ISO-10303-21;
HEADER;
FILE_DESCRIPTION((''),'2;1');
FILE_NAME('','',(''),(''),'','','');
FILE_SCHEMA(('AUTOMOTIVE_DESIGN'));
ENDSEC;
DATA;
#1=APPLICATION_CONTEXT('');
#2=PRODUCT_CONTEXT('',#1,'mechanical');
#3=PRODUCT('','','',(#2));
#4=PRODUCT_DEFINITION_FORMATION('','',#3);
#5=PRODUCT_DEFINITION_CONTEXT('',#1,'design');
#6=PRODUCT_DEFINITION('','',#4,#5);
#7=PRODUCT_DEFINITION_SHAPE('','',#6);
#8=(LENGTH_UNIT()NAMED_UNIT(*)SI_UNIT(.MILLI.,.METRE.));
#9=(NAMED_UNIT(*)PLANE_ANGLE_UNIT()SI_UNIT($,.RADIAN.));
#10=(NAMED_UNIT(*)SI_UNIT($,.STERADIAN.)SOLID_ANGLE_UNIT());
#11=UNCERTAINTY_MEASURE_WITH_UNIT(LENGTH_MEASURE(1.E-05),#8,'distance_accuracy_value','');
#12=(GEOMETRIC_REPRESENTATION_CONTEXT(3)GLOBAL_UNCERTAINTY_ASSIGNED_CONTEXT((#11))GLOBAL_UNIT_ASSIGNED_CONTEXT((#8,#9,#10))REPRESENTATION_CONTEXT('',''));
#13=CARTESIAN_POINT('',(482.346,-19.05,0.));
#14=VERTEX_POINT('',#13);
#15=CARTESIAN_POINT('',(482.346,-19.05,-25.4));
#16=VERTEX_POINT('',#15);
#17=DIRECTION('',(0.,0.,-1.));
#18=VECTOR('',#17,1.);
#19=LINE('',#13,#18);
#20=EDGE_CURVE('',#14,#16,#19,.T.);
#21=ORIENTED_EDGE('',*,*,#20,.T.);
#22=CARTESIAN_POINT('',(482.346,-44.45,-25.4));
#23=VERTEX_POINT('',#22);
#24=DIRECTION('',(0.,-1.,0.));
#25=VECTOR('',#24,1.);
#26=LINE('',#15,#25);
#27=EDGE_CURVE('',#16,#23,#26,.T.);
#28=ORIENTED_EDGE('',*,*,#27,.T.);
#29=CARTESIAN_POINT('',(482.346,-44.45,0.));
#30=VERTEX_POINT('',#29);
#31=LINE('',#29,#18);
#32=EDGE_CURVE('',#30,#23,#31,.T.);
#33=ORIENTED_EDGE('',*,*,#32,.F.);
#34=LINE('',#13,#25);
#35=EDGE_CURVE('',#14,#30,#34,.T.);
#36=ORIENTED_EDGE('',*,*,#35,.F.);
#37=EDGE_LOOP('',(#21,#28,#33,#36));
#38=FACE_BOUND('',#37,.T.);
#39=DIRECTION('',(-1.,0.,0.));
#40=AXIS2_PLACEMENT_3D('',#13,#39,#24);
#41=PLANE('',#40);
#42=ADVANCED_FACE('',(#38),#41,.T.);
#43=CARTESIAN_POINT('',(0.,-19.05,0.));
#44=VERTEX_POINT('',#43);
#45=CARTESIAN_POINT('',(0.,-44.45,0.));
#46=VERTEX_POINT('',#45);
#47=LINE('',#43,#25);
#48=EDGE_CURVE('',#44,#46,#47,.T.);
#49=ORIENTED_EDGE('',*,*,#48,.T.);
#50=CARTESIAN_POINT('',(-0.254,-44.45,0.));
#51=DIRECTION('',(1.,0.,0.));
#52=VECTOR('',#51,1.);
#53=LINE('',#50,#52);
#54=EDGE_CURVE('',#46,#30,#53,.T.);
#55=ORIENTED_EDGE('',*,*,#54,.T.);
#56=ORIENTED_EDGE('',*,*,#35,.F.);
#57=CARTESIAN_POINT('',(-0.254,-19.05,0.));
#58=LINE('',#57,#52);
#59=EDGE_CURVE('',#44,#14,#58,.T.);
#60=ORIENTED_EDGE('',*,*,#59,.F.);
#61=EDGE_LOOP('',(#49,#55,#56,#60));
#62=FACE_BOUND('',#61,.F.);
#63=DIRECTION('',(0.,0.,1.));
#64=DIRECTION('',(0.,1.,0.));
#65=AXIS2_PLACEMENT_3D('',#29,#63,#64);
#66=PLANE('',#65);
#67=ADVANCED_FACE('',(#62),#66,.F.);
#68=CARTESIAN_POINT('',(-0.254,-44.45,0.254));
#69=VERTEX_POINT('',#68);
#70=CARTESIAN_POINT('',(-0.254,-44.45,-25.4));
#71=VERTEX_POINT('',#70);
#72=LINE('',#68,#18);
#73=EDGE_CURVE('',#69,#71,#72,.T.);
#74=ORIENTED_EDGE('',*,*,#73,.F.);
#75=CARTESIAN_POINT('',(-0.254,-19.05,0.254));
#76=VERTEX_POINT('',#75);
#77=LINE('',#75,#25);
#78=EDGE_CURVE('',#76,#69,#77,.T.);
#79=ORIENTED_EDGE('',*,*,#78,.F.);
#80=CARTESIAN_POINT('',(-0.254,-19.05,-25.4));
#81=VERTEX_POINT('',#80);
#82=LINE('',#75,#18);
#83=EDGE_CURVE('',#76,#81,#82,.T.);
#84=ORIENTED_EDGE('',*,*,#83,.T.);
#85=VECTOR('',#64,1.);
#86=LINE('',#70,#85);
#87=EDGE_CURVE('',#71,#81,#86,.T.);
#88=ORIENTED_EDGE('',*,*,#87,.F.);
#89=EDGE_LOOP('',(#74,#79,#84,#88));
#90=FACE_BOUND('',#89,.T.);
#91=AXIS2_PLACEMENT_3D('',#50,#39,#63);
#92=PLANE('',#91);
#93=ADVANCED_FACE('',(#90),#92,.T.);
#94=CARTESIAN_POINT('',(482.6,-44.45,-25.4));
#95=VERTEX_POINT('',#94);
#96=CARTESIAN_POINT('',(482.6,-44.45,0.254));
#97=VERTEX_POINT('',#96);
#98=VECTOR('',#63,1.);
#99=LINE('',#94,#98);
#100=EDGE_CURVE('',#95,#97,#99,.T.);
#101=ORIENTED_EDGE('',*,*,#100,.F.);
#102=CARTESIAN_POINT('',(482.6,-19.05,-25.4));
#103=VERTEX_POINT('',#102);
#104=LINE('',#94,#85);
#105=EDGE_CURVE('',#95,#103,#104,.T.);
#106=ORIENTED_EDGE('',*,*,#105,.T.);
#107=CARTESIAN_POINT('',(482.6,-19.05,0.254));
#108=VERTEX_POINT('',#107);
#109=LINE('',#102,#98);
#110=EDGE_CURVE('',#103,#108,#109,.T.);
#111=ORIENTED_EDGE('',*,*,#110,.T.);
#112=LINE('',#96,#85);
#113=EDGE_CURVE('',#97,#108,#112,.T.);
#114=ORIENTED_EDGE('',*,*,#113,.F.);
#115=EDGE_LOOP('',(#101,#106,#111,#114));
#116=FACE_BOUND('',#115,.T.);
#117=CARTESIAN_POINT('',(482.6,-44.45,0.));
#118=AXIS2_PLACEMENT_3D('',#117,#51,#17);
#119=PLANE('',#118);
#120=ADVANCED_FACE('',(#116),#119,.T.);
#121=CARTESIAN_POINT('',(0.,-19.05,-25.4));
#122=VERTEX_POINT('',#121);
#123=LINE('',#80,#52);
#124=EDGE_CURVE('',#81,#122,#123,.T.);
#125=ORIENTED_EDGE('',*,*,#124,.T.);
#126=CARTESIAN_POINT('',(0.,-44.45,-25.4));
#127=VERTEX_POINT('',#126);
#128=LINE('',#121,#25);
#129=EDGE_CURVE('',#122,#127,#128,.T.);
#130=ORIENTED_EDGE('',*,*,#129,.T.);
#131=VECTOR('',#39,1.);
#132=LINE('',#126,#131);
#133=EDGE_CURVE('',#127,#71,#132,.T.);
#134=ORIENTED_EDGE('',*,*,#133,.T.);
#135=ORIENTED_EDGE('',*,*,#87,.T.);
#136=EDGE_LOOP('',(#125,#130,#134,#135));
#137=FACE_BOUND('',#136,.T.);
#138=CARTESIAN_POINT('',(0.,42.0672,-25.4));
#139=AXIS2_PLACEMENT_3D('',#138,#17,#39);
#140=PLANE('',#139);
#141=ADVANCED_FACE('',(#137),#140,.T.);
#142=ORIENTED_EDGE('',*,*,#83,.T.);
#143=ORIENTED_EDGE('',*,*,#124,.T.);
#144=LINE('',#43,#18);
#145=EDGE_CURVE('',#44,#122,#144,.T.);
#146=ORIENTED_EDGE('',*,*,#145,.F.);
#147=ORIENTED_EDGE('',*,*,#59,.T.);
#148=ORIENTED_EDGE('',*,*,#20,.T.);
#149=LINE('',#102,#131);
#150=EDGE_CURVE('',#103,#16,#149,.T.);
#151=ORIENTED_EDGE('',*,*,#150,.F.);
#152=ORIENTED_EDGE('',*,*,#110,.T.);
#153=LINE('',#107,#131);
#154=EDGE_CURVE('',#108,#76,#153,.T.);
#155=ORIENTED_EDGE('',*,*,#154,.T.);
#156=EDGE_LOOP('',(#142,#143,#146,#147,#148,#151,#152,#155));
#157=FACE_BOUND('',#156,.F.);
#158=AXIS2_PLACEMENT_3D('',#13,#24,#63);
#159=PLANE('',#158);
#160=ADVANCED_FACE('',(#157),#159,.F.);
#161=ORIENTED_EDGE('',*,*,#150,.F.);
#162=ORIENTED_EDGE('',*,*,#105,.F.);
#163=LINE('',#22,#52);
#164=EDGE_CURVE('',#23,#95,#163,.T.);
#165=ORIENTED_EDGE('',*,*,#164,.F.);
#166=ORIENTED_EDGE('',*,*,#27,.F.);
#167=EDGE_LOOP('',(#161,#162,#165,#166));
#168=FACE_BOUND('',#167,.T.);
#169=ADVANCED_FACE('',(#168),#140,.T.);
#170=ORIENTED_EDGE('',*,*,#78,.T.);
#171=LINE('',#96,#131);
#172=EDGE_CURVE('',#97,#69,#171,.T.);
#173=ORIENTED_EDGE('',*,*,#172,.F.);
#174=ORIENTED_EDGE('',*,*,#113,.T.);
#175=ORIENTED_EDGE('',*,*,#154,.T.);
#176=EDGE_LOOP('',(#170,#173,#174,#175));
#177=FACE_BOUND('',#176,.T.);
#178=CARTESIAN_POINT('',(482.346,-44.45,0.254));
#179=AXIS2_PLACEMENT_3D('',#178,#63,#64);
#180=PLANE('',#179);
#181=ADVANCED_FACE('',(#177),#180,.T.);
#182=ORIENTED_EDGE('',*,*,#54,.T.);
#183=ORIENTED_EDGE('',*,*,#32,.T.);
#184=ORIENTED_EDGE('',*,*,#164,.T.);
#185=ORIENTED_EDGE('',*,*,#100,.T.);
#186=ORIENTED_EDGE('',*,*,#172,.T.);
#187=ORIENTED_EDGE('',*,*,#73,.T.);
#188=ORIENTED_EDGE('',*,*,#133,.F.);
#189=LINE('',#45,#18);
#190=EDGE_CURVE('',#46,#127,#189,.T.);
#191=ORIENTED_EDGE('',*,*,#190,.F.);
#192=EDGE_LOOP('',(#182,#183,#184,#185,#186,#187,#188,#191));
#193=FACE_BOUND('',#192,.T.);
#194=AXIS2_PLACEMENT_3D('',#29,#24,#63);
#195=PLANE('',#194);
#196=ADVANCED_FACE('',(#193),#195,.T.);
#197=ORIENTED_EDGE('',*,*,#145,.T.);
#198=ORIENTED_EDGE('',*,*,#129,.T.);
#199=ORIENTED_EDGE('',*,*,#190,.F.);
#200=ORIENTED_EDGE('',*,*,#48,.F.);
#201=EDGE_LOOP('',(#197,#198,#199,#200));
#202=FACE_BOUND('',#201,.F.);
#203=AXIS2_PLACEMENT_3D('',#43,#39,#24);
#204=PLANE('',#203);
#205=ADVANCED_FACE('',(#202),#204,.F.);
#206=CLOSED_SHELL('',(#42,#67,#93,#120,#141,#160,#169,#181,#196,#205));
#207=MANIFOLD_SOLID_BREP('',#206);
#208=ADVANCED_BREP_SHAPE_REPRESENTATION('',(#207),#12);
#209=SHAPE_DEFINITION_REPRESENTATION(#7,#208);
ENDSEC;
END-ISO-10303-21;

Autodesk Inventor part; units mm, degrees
ref_plane "YZ Plane" through (0, 0, 0) normal (1, 0, 0) x (0, 1, 0)
ref_plane "XZ Plane" through (0, 0, 0) normal (0, 1, 0) x (-1, 0, 0)
ref_plane "XY Plane" through (0, 0, 0) normal (0, 0, 1) x (1, 0, 0)
ref_plane "Work Plane1" through (0, 42.0672, 0) normal (0, 0, 1) x (1, 0, 0)
sketch "Sketch1" plane through (0, 42.0672, 0) normal (0, 0, 1) x (1, 0, 0)
  line L0 (0, -42.0672) -> (482.346, -42.0672)
  line L1 (482.346, -42.0672) -> (482.346, -67.4672)
  line L2 (482.346, -67.4672) -> (0, -67.4672)
  line L3 (0, -67.4672) -> (0, -42.0672)
  line L4 (0, -67.4672) -> (0, -61.1172)
  line L5 (0, -61.1172) -> (482.346, -61.1172)
  line L6 (482.346, -61.1172) -> (482.346, -86.5172)
  line L7 (482.346, -86.5172) -> (0, -86.5172)
  line L8 (0, -86.5172) -> (0, -61.1172)
  dimension "d0" = 482.346
  dimension "d1" = 25.4
  dimension "d2" = 6.35
  dimension "d3" = 482.346
  dimension "d4" = 25.4
extrude "Extrusion1" add sketch "Sketch1" along normal blind 0.254 contours L5 L1 L2 L3 | L2 L6 L7 L8
sketch "Sketch2" plane through (0, -44.45, 0) normal (-1, 0, 0) x (0, 0, 1)
  line L0 (0, 25.4) -> (0, 0) projected
  line L1 (0, 0) -> (0.254, 0) projected
  line L2 (0.254, 25.4) -> (0.254, 0) projected
  line L3 (0, 25.4) -> (0.254, 25.4) projected
  point P0 (0, 44.45)
extrude "Extrusion2" add sketch "Sketch2" along normal blind 0.254
sketch "Sketch3" plane through (482.346, -44.45, 0) normal (1, 0, 0) x (0, 0, -1)
  line L0 (0, 0) -> (0, 25.4) projected
  line L1 (0, 25.4) -> (-0.254, 25.4) projected
  line L2 (-0.254, 0) -> (-0.254, 25.4) projected
  line L3 (0, 0) -> (-0.254, 0) projected
  point P0 (0, 44.45)
extrude "Extrusion3" add sketch "Sketch3" along normal blind 0.254
sketch "Sketch4" plane through (0, 42.0672, 0) normal (0, 0, -1) x (-1, 0, 0)
  line L0 (-482.6, -61.1172) -> (-482.346, -61.1172)
  line L1 (-482.346, -61.1172) -> (-482.346, -86.5172)
  line L2 (-482.346, -86.5172) -> (-482.6, -86.5172)
  line L3 (-482.6, -86.5172) -> (-482.6, -61.1172)
  line L4 (0.254, -61.1172) -> (0, -61.1172)
  line L5 (0, -61.1172) -> (0, -86.5172)
  line L6 (0, -86.5172) -> (0.254, -86.5172)
  line L7 (0.254, -86.5172) -> (0.254, -61.1172)
  point P0 (0, -42.0672)
  dimension "d11" = 0.254
  dimension "d12" = 25.4
  dimension "d13" = 0.254
  dimension "d14" = 25.4
extrude "Extrusion4" add sketch "Sketch4" along normal blind 25.4
properties part number "Cloth"
